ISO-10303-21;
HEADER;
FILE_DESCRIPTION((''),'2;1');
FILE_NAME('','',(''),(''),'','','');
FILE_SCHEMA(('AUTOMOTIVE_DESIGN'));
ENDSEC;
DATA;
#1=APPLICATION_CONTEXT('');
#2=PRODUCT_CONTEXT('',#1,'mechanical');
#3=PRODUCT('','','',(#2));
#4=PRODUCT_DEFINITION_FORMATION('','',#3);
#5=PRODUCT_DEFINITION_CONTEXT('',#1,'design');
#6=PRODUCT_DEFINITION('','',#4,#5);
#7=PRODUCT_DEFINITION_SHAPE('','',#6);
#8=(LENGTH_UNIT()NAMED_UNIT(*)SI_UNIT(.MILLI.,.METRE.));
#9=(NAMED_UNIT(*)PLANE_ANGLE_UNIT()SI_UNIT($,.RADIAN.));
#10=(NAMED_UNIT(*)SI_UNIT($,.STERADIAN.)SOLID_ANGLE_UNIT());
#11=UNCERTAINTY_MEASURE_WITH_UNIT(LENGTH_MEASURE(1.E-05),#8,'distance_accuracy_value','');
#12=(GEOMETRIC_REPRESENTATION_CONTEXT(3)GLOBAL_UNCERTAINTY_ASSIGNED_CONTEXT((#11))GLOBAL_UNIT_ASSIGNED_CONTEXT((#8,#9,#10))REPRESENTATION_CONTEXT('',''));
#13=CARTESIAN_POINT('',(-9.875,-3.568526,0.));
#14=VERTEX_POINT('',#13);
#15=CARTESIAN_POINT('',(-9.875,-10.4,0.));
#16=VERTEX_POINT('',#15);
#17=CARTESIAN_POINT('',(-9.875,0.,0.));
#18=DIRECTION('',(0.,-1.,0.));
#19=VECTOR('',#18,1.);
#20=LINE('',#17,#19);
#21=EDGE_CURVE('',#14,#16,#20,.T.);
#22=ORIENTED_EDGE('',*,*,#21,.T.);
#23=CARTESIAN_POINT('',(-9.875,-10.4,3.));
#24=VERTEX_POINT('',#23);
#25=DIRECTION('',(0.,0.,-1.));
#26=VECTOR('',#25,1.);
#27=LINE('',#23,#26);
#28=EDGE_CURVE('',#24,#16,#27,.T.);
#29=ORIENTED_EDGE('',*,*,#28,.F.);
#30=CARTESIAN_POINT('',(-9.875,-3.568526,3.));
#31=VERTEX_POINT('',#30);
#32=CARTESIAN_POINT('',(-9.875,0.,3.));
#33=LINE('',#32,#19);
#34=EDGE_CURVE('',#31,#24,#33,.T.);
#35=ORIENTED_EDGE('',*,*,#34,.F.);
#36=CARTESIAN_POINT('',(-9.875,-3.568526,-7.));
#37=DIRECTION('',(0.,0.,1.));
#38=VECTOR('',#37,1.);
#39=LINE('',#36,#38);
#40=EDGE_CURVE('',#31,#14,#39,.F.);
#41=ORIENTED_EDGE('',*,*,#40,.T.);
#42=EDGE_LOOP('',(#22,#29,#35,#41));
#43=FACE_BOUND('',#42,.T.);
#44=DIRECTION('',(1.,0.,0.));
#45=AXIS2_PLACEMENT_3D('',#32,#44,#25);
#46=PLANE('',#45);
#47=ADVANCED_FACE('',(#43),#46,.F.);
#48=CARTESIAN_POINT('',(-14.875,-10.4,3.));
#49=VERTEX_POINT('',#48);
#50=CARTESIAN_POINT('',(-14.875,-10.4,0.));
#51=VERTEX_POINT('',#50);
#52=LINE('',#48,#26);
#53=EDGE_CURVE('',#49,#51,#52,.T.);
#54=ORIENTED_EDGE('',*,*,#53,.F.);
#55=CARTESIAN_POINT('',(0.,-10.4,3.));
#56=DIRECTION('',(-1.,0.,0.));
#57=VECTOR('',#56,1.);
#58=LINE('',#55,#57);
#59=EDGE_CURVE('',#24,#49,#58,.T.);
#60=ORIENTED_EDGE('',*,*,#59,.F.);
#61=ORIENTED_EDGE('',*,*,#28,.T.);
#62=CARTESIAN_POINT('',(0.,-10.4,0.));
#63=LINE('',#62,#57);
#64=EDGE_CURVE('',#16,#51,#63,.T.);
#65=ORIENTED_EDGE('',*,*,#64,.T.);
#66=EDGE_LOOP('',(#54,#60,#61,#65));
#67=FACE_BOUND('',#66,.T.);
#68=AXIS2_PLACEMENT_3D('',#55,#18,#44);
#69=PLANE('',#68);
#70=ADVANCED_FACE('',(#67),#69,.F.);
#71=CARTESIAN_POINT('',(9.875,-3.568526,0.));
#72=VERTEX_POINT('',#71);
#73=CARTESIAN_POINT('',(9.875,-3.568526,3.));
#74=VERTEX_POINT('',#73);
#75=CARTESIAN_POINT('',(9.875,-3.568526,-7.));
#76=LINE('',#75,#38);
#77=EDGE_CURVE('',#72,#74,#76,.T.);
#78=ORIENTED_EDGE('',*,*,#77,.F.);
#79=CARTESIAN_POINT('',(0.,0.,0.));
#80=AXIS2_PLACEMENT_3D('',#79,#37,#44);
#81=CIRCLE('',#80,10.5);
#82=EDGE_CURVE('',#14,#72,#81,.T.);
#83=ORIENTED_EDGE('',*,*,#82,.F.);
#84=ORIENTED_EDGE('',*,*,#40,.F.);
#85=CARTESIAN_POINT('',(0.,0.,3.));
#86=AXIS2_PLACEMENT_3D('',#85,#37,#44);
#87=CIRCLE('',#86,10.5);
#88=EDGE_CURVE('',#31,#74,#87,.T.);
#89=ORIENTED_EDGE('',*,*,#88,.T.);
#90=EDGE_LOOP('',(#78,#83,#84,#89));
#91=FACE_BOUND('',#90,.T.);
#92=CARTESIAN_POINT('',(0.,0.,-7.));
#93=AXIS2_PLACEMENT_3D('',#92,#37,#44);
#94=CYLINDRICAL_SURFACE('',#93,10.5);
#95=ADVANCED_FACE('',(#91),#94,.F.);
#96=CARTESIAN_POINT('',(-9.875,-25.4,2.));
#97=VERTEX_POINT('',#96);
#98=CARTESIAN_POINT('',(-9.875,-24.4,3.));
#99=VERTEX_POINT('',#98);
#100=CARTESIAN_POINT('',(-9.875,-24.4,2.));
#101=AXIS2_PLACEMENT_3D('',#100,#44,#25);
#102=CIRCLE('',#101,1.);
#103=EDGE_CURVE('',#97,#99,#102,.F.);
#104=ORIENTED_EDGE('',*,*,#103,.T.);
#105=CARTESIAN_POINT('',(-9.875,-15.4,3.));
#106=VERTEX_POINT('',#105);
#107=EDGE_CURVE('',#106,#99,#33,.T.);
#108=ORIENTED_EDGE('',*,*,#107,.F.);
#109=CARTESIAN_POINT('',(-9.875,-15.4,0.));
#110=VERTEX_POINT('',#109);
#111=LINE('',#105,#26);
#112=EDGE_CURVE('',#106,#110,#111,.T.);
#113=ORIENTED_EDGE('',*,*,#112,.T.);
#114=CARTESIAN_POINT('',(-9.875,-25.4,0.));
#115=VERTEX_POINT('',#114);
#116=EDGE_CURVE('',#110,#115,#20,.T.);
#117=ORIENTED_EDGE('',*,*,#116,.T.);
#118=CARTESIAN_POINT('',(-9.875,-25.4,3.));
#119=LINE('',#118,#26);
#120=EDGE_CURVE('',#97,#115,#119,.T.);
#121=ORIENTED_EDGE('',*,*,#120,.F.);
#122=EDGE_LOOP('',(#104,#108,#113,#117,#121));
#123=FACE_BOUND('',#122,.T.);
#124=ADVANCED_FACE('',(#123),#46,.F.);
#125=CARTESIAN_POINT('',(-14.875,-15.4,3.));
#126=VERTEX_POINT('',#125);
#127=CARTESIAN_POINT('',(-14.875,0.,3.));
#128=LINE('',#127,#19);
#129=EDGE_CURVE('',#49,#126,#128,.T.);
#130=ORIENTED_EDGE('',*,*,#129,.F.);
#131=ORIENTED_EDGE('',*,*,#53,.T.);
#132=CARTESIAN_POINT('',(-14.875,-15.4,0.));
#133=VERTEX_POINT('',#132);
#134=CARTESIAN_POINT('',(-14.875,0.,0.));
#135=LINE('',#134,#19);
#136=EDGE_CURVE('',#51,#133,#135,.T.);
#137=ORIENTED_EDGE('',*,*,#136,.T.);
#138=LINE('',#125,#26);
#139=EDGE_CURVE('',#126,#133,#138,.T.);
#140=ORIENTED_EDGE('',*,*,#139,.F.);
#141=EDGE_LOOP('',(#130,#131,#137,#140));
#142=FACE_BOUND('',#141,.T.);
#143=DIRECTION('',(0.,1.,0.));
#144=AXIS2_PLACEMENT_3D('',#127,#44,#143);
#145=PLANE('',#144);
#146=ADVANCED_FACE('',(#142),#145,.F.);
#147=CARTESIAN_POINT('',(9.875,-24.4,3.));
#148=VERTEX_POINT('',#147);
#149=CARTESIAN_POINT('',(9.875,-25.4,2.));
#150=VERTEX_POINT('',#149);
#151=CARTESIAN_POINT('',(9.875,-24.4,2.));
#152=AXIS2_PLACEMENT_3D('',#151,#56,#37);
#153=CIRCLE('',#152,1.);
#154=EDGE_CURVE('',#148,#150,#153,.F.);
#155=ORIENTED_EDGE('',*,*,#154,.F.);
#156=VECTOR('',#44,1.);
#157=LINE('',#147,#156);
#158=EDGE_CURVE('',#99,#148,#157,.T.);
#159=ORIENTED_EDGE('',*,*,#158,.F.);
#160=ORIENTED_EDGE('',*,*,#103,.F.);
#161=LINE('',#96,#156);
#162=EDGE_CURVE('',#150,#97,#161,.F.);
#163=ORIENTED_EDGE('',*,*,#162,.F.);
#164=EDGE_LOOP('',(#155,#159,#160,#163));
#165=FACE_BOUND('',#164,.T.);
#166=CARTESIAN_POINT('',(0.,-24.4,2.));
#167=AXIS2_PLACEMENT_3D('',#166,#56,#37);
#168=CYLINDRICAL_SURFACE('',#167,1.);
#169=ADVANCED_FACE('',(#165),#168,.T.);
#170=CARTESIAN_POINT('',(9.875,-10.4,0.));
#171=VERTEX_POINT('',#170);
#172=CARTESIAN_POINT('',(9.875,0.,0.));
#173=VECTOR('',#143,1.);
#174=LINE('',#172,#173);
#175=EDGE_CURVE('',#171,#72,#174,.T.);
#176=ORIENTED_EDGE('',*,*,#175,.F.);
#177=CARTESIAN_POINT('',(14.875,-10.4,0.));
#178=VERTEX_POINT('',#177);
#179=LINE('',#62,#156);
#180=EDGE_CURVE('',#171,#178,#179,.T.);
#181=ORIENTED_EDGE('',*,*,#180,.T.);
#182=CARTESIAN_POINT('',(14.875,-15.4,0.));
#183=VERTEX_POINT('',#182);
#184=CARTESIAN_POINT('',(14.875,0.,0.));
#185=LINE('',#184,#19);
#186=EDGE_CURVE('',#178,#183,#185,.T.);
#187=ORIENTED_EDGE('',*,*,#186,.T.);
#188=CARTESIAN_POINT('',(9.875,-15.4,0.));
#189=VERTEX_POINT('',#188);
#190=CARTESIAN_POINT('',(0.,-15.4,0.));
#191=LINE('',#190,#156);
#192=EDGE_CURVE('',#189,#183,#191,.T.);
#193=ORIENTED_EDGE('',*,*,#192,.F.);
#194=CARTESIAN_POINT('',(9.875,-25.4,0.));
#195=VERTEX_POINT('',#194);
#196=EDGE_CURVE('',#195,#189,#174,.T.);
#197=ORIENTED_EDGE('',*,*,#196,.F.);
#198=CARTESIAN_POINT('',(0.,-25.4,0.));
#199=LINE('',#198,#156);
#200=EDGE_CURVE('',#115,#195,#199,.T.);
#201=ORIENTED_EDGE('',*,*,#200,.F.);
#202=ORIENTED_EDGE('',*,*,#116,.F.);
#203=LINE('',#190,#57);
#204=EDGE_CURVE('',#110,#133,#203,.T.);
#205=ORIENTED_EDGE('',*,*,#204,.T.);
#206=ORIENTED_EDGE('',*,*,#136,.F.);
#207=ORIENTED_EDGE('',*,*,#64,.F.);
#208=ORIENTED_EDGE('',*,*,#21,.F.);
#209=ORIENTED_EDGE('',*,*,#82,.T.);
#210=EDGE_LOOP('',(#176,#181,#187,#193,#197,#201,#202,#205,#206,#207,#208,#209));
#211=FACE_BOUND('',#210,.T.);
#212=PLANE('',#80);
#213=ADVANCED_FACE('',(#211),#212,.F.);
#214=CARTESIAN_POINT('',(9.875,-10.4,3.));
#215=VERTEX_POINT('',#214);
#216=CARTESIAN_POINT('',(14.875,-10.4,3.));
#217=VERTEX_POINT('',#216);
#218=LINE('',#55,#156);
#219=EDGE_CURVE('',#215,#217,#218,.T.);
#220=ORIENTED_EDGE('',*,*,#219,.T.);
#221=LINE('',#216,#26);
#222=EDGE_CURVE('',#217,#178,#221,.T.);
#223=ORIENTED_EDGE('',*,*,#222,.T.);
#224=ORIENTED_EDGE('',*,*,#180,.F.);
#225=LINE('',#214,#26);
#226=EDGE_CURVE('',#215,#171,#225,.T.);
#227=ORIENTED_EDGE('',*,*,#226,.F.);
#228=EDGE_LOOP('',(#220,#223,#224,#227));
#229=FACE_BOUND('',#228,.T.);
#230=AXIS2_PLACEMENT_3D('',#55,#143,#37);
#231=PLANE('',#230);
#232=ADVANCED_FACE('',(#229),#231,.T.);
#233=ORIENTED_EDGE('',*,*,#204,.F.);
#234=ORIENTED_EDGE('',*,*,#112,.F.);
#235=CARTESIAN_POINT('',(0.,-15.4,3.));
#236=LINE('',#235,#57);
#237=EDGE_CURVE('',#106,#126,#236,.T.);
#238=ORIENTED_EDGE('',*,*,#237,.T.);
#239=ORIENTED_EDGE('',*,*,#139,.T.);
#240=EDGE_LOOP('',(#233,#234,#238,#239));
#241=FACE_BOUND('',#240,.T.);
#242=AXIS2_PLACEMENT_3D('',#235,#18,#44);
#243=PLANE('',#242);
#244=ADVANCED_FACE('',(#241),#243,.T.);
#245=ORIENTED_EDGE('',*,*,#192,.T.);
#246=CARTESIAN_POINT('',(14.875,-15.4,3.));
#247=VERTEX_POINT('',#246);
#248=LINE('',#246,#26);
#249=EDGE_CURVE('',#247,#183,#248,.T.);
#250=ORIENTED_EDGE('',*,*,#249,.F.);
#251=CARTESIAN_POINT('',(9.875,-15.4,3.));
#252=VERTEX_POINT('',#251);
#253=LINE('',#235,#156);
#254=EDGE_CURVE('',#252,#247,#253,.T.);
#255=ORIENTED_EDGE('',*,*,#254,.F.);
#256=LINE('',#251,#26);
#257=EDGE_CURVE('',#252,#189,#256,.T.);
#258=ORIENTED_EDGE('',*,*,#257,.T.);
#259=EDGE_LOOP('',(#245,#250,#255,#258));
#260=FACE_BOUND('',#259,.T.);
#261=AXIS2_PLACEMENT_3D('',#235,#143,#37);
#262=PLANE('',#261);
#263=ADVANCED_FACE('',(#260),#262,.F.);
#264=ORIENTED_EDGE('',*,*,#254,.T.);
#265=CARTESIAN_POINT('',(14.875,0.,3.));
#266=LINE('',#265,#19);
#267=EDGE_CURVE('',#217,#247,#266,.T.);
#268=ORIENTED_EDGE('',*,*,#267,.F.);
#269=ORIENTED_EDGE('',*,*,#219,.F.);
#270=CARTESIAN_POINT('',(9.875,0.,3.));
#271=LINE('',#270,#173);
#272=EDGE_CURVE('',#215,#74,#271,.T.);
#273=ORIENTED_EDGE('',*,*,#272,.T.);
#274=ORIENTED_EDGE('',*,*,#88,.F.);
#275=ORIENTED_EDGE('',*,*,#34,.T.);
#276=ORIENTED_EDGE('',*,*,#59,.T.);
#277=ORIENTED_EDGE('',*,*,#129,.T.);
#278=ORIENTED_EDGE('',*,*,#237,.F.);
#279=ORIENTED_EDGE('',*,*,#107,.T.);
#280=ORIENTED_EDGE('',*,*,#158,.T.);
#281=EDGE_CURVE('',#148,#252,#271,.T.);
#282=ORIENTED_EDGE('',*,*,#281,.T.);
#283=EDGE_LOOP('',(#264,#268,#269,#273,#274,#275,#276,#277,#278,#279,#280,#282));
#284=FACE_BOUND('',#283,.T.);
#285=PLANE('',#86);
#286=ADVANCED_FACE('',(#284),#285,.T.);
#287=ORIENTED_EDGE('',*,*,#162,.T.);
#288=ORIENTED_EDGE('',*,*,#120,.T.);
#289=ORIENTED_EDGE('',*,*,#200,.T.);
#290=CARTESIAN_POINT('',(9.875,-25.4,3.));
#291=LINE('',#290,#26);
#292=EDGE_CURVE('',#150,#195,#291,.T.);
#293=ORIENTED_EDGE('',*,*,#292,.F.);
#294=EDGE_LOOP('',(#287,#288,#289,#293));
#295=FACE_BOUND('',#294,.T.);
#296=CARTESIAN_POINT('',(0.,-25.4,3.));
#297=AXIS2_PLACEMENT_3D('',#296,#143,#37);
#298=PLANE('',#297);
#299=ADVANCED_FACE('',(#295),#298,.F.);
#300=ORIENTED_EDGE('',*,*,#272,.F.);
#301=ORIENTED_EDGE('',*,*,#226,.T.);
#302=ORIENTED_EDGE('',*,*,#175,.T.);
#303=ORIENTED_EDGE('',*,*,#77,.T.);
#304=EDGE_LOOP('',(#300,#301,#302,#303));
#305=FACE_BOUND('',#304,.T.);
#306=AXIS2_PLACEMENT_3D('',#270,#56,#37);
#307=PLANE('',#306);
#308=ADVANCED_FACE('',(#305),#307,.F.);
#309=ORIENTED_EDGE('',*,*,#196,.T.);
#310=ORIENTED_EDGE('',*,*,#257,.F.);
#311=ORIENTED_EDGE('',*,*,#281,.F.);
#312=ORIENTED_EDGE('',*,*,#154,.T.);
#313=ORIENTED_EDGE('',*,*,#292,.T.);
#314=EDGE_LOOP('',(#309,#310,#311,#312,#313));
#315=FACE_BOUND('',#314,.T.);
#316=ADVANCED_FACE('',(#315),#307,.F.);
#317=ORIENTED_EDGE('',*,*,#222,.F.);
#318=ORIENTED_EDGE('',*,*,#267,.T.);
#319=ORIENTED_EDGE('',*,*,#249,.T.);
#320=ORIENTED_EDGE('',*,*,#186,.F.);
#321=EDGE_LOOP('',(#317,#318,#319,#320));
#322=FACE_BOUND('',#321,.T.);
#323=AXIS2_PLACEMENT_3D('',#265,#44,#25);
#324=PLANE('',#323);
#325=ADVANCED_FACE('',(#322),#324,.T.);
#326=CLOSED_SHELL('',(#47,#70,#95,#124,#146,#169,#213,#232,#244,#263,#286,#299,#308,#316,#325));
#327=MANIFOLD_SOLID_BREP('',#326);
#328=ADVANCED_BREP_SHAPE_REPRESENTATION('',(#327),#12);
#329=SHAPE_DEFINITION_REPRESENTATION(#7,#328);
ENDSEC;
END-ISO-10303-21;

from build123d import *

# Parameters (mm, degrees)
CROQUIS1_R              = 9.875
CROQUIS1_W              = 5
CROQUIS1_H              = 5
SALIENTE_EXTRUIR1_DEPTH = 3
REDONDEO1_R             = 1
CROQUIS2_R              = 10.5
CORTAR_EXTRUIR1_DEPTH   = 10


with BuildPart() as part:
    # Croquis1 → Saliente-Extruir1 (new body)
    with BuildSketch(Plane.XY):
        Circle(CROQUIS1_R)
        with BuildLine():
            ThreePointArc((9.875, 0), (0, -9.875), (-9.875, 0))
            Line((-9.875, 0), (-9.875, -10.4))
            Line((-9.875, -10.4), (-9.875, -15.4))
            Line((-9.875, -15.4), (-9.875, -25.4))
            Line((-9.875, -25.4), (9.875, -25.4))
            Line((9.875, -25.4), (9.875, -15.4))
            Line((9.875, -15.4), (9.875, -10.4))
            Line((9.875, -10.4), (9.875, 0))
        make_face()
        with Locations((12.375, -12.9)):
            Rectangle(CROQUIS1_W, CROQUIS1_H)
        with Locations((-12.375, -12.9)):
            Rectangle(CROQUIS1_W, CROQUIS1_H)
    extrude(amount=SALIENTE_EXTRUIR1_DEPTH)

    # Redondeo1
    redondeo1_edges = [part.edges().sort_by_distance(p)[0] for p in [
        (0, -25.4, 3),
    ]]
    fillet(redondeo1_edges, radius=REDONDEO1_R)

    # Croquis2 → Cortar-Extruir1 (cut)
    with BuildSketch(Plane.XY.offset(3)):
        Circle(CROQUIS2_R)
    extrude(amount=-CORTAR_EXTRUIR1_DEPTH, mode=Mode.SUBTRACT)


solid = part.part
